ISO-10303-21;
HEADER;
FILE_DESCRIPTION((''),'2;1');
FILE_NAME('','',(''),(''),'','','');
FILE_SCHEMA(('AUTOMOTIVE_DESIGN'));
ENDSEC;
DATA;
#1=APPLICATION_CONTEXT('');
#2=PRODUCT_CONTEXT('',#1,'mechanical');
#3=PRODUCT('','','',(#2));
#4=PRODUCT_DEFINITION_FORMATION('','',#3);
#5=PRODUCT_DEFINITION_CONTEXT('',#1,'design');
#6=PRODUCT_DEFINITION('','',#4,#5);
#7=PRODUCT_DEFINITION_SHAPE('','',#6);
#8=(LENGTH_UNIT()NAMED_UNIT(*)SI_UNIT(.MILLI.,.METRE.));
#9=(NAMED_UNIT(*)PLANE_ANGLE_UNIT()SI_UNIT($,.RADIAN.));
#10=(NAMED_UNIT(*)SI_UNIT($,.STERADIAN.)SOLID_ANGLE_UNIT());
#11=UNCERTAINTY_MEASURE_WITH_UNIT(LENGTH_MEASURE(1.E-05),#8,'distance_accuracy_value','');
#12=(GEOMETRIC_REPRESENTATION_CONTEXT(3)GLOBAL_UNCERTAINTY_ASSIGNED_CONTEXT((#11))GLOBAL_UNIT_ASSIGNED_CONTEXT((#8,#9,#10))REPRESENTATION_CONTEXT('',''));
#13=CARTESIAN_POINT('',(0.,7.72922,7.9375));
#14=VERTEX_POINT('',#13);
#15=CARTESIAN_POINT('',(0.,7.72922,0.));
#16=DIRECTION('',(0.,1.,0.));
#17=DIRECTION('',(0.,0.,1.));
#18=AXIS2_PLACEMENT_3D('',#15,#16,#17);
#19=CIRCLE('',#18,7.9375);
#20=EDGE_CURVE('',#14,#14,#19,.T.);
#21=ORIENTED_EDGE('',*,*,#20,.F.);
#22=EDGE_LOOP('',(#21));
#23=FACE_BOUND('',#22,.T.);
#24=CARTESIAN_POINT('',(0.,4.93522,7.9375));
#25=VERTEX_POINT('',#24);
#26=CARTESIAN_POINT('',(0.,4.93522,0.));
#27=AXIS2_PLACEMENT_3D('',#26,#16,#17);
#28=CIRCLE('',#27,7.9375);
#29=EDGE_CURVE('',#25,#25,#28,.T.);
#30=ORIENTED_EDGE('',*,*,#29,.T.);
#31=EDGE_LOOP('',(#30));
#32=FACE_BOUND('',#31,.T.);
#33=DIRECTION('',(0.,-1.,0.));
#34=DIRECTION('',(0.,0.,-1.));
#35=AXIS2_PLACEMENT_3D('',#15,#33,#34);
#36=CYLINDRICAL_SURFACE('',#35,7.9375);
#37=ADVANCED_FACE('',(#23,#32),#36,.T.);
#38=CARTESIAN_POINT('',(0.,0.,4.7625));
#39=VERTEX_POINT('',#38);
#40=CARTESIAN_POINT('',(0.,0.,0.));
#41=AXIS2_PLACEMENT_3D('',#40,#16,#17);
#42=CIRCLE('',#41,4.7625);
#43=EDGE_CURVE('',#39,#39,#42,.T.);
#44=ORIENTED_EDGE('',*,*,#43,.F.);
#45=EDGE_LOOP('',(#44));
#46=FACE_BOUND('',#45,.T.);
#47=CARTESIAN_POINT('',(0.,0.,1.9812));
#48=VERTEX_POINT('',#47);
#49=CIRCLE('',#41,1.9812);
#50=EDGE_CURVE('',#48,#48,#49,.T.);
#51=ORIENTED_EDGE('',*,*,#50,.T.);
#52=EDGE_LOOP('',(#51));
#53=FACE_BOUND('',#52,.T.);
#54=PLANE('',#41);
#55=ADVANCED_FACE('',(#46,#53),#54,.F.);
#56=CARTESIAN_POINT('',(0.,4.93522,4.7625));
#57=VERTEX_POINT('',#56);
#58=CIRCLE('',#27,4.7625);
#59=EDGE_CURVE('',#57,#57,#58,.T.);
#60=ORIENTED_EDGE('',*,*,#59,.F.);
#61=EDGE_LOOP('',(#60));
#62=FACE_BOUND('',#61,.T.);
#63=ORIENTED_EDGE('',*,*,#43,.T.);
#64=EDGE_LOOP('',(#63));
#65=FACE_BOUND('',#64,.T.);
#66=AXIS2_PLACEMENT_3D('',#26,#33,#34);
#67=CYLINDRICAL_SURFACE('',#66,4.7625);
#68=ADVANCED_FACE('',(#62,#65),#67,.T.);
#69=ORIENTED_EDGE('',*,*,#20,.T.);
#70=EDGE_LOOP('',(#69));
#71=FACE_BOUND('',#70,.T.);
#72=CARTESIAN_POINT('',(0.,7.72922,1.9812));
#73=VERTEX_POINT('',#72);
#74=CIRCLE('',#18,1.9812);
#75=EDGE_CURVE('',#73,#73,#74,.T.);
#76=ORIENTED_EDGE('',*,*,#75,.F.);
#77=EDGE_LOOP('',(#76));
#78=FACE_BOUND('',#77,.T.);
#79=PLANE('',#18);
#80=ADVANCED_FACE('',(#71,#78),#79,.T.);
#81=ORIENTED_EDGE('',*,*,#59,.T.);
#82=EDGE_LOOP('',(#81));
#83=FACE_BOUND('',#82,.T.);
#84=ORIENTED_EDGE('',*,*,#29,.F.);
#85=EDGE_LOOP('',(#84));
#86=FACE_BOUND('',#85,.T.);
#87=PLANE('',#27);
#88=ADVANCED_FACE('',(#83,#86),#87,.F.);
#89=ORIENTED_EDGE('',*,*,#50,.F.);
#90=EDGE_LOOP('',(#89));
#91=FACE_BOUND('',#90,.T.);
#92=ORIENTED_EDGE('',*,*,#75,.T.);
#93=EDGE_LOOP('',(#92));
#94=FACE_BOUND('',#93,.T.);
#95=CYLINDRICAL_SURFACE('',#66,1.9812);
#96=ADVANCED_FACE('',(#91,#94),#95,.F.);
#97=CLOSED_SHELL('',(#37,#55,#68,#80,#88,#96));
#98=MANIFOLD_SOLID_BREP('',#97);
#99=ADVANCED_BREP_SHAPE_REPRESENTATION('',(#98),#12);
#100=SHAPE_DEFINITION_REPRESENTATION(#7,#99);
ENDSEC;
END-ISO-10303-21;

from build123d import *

# Parameters (mm, degrees)
SKETCH1_R      = 4.7625
SKETCH1_R_2    = 1.9812
EXTRUDE1_DEPTH = 4.93522
SKETCH2_R      = 7.9375
SKETCH2_R_2    = 1.9812
EXTRUDE2_DEPTH = 2.794


with BuildPart() as part:
    # Sketch1 → Extrude1 (new body)
    with BuildSketch(Plane(origin=(0, 0, 0), x_dir=(1, 0, 0), z_dir=(0, 1, 0))):
        Circle(SKETCH1_R)
        Circle(SKETCH1_R_2, mode=Mode.SUBTRACT)
    extrude(amount=EXTRUDE1_DEPTH)

    # Sketch2 → Extrude2 (add)
    with BuildSketch(Plane(origin=(0, 4.93522, 0), x_dir=(-1, 0, 0), z_dir=(0, 1, 0))):
        Circle(SKETCH2_R)
        Circle(SKETCH2_R_2, mode=Mode.SUBTRACT)
    extrude(amount=EXTRUDE2_DEPTH)


solid = part.part
